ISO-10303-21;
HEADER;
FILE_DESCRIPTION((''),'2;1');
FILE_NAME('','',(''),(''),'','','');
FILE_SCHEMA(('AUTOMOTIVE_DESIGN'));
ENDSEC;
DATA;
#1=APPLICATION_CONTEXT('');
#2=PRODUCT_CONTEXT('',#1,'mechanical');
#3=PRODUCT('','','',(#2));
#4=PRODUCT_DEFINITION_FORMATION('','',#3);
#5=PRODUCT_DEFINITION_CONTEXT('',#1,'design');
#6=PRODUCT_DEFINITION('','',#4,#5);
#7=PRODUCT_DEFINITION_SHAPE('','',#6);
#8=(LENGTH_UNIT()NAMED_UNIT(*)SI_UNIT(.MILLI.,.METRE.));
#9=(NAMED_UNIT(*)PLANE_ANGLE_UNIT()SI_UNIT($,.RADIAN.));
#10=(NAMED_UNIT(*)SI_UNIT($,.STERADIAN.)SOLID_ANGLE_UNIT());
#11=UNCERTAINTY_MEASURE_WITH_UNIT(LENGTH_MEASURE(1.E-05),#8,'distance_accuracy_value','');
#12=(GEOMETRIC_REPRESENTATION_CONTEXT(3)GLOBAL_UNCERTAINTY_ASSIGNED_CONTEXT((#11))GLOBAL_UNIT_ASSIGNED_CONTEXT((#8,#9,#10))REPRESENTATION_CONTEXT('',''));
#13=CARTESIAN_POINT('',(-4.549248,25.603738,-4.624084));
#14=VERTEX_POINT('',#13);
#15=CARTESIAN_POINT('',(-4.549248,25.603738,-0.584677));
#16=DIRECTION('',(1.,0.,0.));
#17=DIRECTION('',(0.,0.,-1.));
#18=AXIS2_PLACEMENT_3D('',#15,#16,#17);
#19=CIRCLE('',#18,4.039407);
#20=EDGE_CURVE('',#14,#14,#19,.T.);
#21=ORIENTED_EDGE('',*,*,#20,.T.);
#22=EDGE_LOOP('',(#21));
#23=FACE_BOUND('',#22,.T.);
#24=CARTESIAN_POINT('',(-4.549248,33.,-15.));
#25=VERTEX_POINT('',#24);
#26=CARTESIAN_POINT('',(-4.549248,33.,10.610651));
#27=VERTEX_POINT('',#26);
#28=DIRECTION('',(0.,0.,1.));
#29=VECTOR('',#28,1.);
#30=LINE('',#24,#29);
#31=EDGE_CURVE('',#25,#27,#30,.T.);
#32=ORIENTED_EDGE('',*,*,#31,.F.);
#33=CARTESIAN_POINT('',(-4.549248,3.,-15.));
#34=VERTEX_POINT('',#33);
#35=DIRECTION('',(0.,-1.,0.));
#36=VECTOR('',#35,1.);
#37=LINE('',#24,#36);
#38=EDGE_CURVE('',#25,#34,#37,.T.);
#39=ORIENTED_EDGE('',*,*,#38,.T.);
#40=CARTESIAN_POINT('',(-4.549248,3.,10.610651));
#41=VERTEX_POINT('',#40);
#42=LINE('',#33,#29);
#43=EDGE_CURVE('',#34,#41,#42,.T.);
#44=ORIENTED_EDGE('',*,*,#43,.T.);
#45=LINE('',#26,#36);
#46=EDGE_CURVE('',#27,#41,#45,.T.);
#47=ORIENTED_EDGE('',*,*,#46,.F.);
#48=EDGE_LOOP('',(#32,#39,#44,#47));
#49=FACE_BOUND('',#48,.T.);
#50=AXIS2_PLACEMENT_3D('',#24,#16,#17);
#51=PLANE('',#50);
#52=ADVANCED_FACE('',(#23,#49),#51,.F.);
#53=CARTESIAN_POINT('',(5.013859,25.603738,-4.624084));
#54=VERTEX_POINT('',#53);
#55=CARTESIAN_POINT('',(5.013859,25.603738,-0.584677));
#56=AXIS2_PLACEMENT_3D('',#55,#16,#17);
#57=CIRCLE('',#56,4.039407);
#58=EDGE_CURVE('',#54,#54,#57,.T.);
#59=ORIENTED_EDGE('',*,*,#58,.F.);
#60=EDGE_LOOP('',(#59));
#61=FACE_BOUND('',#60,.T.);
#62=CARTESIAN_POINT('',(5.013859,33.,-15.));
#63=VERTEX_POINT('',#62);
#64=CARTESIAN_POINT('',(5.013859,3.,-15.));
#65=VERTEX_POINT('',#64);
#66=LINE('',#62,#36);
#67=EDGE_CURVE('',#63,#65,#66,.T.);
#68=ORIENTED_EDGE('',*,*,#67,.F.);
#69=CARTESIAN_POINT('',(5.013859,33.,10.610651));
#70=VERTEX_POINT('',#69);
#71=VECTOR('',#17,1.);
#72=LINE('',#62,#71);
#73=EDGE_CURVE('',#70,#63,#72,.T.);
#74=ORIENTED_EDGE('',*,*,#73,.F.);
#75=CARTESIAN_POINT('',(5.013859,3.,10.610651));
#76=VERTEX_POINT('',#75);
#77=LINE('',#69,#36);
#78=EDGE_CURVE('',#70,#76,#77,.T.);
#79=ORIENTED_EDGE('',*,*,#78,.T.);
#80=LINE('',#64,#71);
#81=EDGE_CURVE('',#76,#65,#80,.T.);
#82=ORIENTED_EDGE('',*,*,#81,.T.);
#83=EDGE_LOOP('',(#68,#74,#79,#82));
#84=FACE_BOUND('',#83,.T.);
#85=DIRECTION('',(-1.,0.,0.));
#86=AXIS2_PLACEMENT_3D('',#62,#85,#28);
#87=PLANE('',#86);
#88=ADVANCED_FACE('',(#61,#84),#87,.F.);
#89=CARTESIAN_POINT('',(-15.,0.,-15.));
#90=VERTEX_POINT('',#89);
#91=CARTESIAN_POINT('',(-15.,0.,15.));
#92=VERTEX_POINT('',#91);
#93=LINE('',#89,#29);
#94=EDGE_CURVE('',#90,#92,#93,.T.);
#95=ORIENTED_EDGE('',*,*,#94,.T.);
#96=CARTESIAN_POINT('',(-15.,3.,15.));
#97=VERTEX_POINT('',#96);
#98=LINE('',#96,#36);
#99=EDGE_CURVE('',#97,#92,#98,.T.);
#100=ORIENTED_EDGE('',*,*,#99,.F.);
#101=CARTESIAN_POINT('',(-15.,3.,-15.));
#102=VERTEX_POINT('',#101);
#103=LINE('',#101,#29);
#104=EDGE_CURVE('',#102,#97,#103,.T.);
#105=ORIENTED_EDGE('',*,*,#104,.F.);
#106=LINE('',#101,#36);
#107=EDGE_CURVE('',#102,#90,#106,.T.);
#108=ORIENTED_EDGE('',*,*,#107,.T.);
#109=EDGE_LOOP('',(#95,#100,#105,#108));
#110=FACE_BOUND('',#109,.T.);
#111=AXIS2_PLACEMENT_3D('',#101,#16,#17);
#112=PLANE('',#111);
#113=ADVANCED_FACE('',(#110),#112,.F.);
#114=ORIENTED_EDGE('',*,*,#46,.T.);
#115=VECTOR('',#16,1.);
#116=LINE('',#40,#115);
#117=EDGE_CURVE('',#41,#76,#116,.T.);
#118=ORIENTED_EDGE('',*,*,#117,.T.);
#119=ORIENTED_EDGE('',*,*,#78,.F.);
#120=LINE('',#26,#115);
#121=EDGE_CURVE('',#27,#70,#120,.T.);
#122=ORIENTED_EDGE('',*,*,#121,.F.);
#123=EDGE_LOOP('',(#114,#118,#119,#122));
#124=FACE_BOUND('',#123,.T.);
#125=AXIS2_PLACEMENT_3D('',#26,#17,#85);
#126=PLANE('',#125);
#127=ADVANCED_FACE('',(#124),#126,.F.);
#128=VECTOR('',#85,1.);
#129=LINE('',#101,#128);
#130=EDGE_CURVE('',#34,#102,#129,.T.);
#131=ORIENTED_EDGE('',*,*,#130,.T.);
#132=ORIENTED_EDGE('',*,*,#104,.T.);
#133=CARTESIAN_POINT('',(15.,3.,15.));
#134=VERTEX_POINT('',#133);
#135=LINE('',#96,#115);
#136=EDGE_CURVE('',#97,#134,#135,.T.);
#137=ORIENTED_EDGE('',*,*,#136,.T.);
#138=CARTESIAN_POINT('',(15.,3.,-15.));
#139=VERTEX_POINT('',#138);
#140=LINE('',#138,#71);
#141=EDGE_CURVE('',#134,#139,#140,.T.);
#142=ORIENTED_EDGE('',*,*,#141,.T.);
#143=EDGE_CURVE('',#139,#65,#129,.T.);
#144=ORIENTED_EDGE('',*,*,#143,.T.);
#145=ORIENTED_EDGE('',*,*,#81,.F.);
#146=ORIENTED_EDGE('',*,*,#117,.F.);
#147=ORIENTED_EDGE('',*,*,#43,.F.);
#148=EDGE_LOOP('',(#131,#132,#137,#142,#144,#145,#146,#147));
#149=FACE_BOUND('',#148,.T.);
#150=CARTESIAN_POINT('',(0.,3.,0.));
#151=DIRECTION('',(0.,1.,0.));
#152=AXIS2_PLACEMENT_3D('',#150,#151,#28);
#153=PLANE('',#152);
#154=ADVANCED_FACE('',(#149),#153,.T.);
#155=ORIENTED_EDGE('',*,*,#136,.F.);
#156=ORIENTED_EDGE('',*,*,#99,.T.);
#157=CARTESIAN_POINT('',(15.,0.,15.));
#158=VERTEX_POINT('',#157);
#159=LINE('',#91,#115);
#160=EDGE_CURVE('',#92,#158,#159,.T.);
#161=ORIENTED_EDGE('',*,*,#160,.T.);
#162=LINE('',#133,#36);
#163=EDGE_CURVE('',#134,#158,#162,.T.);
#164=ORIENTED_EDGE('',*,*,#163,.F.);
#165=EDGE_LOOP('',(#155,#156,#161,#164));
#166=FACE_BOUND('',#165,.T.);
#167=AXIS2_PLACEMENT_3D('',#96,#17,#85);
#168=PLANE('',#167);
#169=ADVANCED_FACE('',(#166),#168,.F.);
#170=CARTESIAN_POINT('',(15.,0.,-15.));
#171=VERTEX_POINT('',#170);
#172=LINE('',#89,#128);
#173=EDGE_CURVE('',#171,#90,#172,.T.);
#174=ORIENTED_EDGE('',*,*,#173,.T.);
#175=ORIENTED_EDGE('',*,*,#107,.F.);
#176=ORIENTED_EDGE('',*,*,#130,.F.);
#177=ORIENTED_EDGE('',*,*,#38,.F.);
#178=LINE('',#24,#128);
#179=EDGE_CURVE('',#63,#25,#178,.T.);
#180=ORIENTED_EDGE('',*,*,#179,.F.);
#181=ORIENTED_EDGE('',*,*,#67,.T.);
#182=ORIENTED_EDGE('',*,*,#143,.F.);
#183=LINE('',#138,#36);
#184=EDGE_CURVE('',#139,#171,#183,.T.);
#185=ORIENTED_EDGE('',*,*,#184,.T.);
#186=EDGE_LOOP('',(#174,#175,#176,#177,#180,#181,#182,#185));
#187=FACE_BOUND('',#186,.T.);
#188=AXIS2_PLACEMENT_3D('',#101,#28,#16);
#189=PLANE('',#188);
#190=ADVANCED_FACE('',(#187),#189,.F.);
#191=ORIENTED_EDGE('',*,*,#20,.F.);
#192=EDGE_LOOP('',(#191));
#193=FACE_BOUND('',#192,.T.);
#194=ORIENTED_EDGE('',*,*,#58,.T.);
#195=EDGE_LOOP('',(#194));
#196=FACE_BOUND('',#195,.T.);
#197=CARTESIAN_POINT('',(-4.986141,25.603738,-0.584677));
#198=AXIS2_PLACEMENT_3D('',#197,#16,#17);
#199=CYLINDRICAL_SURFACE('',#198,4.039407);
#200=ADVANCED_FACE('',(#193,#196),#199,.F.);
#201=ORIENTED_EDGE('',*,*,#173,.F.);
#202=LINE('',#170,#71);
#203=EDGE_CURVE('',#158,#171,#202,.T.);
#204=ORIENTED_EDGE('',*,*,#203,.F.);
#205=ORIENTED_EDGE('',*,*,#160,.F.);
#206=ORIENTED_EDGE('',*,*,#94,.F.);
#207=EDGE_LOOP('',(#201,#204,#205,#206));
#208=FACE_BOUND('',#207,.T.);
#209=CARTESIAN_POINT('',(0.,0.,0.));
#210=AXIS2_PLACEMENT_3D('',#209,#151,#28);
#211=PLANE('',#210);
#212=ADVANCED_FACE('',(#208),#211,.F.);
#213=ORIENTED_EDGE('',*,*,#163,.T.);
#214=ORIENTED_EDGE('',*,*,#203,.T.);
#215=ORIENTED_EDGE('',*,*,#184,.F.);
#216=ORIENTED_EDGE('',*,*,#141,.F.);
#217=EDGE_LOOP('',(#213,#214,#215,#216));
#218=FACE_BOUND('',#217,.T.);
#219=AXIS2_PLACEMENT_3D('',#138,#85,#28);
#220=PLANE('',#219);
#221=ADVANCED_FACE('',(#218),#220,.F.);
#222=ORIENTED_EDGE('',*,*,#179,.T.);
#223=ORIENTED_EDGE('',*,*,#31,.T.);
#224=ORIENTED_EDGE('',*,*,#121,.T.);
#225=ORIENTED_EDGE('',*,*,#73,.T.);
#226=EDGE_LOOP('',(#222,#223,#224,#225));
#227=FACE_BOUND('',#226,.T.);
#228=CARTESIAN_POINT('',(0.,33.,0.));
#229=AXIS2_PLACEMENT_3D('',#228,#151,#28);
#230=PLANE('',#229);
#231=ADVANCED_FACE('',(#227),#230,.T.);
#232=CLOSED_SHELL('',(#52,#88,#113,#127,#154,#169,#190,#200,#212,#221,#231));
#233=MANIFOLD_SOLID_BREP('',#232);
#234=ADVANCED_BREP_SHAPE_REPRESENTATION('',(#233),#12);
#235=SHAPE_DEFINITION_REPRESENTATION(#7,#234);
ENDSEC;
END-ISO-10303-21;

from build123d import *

# Parameters (mm, degrees)
CROQUIS1_W              = 30
CROQUIS1_H              = 30
SALIENTE_EXTRUIR1_DEPTH = 3
CROQUIS2_W              = 9.563107214
CROQUIS2_H              = 25.610650669
SALIENTE_EXTRUIR2_DEPTH = 30
CROQUIS3_R              = 4.0394072
CORTAR_EXTRUIR1_DEPTH   = 10


with BuildPart() as part:
    # Croquis1 → Saliente-Extruir1 (new body)
    with BuildSketch(Plane(origin=(0, 0, 0), x_dir=(1, 0, 0), z_dir=(0, 1, 0))):
        Rectangle(CROQUIS1_W, CROQUIS1_H)
    extrude(amount=SALIENTE_EXTRUIR1_DEPTH)

    # Croquis2 → Saliente-Extruir2 (add)
    with BuildSketch(Plane(origin=(0, 3, 0), x_dir=(1, 0, 0), z_dir=(0, 1, 0))):
        with Locations((0.232305854, 2.194674666)):
            Rectangle(CROQUIS2_W, CROQUIS2_H)
    extrude(amount=SALIENTE_EXTRUIR2_DEPTH)

    # Croquis3 → Cortar-Extruir1 (cut)
    with BuildSketch(Plane(origin=(5.013859461, 0, 0), x_dir=(0, 0, -1), z_dir=(1, 0, 0))):
        with Locations((0.584677198, 25.603738422)):
            Circle(CROQUIS3_R)
    extrude(amount=-CORTAR_EXTRUIR1_DEPTH, mode=Mode.SUBTRACT)


solid = part.part
